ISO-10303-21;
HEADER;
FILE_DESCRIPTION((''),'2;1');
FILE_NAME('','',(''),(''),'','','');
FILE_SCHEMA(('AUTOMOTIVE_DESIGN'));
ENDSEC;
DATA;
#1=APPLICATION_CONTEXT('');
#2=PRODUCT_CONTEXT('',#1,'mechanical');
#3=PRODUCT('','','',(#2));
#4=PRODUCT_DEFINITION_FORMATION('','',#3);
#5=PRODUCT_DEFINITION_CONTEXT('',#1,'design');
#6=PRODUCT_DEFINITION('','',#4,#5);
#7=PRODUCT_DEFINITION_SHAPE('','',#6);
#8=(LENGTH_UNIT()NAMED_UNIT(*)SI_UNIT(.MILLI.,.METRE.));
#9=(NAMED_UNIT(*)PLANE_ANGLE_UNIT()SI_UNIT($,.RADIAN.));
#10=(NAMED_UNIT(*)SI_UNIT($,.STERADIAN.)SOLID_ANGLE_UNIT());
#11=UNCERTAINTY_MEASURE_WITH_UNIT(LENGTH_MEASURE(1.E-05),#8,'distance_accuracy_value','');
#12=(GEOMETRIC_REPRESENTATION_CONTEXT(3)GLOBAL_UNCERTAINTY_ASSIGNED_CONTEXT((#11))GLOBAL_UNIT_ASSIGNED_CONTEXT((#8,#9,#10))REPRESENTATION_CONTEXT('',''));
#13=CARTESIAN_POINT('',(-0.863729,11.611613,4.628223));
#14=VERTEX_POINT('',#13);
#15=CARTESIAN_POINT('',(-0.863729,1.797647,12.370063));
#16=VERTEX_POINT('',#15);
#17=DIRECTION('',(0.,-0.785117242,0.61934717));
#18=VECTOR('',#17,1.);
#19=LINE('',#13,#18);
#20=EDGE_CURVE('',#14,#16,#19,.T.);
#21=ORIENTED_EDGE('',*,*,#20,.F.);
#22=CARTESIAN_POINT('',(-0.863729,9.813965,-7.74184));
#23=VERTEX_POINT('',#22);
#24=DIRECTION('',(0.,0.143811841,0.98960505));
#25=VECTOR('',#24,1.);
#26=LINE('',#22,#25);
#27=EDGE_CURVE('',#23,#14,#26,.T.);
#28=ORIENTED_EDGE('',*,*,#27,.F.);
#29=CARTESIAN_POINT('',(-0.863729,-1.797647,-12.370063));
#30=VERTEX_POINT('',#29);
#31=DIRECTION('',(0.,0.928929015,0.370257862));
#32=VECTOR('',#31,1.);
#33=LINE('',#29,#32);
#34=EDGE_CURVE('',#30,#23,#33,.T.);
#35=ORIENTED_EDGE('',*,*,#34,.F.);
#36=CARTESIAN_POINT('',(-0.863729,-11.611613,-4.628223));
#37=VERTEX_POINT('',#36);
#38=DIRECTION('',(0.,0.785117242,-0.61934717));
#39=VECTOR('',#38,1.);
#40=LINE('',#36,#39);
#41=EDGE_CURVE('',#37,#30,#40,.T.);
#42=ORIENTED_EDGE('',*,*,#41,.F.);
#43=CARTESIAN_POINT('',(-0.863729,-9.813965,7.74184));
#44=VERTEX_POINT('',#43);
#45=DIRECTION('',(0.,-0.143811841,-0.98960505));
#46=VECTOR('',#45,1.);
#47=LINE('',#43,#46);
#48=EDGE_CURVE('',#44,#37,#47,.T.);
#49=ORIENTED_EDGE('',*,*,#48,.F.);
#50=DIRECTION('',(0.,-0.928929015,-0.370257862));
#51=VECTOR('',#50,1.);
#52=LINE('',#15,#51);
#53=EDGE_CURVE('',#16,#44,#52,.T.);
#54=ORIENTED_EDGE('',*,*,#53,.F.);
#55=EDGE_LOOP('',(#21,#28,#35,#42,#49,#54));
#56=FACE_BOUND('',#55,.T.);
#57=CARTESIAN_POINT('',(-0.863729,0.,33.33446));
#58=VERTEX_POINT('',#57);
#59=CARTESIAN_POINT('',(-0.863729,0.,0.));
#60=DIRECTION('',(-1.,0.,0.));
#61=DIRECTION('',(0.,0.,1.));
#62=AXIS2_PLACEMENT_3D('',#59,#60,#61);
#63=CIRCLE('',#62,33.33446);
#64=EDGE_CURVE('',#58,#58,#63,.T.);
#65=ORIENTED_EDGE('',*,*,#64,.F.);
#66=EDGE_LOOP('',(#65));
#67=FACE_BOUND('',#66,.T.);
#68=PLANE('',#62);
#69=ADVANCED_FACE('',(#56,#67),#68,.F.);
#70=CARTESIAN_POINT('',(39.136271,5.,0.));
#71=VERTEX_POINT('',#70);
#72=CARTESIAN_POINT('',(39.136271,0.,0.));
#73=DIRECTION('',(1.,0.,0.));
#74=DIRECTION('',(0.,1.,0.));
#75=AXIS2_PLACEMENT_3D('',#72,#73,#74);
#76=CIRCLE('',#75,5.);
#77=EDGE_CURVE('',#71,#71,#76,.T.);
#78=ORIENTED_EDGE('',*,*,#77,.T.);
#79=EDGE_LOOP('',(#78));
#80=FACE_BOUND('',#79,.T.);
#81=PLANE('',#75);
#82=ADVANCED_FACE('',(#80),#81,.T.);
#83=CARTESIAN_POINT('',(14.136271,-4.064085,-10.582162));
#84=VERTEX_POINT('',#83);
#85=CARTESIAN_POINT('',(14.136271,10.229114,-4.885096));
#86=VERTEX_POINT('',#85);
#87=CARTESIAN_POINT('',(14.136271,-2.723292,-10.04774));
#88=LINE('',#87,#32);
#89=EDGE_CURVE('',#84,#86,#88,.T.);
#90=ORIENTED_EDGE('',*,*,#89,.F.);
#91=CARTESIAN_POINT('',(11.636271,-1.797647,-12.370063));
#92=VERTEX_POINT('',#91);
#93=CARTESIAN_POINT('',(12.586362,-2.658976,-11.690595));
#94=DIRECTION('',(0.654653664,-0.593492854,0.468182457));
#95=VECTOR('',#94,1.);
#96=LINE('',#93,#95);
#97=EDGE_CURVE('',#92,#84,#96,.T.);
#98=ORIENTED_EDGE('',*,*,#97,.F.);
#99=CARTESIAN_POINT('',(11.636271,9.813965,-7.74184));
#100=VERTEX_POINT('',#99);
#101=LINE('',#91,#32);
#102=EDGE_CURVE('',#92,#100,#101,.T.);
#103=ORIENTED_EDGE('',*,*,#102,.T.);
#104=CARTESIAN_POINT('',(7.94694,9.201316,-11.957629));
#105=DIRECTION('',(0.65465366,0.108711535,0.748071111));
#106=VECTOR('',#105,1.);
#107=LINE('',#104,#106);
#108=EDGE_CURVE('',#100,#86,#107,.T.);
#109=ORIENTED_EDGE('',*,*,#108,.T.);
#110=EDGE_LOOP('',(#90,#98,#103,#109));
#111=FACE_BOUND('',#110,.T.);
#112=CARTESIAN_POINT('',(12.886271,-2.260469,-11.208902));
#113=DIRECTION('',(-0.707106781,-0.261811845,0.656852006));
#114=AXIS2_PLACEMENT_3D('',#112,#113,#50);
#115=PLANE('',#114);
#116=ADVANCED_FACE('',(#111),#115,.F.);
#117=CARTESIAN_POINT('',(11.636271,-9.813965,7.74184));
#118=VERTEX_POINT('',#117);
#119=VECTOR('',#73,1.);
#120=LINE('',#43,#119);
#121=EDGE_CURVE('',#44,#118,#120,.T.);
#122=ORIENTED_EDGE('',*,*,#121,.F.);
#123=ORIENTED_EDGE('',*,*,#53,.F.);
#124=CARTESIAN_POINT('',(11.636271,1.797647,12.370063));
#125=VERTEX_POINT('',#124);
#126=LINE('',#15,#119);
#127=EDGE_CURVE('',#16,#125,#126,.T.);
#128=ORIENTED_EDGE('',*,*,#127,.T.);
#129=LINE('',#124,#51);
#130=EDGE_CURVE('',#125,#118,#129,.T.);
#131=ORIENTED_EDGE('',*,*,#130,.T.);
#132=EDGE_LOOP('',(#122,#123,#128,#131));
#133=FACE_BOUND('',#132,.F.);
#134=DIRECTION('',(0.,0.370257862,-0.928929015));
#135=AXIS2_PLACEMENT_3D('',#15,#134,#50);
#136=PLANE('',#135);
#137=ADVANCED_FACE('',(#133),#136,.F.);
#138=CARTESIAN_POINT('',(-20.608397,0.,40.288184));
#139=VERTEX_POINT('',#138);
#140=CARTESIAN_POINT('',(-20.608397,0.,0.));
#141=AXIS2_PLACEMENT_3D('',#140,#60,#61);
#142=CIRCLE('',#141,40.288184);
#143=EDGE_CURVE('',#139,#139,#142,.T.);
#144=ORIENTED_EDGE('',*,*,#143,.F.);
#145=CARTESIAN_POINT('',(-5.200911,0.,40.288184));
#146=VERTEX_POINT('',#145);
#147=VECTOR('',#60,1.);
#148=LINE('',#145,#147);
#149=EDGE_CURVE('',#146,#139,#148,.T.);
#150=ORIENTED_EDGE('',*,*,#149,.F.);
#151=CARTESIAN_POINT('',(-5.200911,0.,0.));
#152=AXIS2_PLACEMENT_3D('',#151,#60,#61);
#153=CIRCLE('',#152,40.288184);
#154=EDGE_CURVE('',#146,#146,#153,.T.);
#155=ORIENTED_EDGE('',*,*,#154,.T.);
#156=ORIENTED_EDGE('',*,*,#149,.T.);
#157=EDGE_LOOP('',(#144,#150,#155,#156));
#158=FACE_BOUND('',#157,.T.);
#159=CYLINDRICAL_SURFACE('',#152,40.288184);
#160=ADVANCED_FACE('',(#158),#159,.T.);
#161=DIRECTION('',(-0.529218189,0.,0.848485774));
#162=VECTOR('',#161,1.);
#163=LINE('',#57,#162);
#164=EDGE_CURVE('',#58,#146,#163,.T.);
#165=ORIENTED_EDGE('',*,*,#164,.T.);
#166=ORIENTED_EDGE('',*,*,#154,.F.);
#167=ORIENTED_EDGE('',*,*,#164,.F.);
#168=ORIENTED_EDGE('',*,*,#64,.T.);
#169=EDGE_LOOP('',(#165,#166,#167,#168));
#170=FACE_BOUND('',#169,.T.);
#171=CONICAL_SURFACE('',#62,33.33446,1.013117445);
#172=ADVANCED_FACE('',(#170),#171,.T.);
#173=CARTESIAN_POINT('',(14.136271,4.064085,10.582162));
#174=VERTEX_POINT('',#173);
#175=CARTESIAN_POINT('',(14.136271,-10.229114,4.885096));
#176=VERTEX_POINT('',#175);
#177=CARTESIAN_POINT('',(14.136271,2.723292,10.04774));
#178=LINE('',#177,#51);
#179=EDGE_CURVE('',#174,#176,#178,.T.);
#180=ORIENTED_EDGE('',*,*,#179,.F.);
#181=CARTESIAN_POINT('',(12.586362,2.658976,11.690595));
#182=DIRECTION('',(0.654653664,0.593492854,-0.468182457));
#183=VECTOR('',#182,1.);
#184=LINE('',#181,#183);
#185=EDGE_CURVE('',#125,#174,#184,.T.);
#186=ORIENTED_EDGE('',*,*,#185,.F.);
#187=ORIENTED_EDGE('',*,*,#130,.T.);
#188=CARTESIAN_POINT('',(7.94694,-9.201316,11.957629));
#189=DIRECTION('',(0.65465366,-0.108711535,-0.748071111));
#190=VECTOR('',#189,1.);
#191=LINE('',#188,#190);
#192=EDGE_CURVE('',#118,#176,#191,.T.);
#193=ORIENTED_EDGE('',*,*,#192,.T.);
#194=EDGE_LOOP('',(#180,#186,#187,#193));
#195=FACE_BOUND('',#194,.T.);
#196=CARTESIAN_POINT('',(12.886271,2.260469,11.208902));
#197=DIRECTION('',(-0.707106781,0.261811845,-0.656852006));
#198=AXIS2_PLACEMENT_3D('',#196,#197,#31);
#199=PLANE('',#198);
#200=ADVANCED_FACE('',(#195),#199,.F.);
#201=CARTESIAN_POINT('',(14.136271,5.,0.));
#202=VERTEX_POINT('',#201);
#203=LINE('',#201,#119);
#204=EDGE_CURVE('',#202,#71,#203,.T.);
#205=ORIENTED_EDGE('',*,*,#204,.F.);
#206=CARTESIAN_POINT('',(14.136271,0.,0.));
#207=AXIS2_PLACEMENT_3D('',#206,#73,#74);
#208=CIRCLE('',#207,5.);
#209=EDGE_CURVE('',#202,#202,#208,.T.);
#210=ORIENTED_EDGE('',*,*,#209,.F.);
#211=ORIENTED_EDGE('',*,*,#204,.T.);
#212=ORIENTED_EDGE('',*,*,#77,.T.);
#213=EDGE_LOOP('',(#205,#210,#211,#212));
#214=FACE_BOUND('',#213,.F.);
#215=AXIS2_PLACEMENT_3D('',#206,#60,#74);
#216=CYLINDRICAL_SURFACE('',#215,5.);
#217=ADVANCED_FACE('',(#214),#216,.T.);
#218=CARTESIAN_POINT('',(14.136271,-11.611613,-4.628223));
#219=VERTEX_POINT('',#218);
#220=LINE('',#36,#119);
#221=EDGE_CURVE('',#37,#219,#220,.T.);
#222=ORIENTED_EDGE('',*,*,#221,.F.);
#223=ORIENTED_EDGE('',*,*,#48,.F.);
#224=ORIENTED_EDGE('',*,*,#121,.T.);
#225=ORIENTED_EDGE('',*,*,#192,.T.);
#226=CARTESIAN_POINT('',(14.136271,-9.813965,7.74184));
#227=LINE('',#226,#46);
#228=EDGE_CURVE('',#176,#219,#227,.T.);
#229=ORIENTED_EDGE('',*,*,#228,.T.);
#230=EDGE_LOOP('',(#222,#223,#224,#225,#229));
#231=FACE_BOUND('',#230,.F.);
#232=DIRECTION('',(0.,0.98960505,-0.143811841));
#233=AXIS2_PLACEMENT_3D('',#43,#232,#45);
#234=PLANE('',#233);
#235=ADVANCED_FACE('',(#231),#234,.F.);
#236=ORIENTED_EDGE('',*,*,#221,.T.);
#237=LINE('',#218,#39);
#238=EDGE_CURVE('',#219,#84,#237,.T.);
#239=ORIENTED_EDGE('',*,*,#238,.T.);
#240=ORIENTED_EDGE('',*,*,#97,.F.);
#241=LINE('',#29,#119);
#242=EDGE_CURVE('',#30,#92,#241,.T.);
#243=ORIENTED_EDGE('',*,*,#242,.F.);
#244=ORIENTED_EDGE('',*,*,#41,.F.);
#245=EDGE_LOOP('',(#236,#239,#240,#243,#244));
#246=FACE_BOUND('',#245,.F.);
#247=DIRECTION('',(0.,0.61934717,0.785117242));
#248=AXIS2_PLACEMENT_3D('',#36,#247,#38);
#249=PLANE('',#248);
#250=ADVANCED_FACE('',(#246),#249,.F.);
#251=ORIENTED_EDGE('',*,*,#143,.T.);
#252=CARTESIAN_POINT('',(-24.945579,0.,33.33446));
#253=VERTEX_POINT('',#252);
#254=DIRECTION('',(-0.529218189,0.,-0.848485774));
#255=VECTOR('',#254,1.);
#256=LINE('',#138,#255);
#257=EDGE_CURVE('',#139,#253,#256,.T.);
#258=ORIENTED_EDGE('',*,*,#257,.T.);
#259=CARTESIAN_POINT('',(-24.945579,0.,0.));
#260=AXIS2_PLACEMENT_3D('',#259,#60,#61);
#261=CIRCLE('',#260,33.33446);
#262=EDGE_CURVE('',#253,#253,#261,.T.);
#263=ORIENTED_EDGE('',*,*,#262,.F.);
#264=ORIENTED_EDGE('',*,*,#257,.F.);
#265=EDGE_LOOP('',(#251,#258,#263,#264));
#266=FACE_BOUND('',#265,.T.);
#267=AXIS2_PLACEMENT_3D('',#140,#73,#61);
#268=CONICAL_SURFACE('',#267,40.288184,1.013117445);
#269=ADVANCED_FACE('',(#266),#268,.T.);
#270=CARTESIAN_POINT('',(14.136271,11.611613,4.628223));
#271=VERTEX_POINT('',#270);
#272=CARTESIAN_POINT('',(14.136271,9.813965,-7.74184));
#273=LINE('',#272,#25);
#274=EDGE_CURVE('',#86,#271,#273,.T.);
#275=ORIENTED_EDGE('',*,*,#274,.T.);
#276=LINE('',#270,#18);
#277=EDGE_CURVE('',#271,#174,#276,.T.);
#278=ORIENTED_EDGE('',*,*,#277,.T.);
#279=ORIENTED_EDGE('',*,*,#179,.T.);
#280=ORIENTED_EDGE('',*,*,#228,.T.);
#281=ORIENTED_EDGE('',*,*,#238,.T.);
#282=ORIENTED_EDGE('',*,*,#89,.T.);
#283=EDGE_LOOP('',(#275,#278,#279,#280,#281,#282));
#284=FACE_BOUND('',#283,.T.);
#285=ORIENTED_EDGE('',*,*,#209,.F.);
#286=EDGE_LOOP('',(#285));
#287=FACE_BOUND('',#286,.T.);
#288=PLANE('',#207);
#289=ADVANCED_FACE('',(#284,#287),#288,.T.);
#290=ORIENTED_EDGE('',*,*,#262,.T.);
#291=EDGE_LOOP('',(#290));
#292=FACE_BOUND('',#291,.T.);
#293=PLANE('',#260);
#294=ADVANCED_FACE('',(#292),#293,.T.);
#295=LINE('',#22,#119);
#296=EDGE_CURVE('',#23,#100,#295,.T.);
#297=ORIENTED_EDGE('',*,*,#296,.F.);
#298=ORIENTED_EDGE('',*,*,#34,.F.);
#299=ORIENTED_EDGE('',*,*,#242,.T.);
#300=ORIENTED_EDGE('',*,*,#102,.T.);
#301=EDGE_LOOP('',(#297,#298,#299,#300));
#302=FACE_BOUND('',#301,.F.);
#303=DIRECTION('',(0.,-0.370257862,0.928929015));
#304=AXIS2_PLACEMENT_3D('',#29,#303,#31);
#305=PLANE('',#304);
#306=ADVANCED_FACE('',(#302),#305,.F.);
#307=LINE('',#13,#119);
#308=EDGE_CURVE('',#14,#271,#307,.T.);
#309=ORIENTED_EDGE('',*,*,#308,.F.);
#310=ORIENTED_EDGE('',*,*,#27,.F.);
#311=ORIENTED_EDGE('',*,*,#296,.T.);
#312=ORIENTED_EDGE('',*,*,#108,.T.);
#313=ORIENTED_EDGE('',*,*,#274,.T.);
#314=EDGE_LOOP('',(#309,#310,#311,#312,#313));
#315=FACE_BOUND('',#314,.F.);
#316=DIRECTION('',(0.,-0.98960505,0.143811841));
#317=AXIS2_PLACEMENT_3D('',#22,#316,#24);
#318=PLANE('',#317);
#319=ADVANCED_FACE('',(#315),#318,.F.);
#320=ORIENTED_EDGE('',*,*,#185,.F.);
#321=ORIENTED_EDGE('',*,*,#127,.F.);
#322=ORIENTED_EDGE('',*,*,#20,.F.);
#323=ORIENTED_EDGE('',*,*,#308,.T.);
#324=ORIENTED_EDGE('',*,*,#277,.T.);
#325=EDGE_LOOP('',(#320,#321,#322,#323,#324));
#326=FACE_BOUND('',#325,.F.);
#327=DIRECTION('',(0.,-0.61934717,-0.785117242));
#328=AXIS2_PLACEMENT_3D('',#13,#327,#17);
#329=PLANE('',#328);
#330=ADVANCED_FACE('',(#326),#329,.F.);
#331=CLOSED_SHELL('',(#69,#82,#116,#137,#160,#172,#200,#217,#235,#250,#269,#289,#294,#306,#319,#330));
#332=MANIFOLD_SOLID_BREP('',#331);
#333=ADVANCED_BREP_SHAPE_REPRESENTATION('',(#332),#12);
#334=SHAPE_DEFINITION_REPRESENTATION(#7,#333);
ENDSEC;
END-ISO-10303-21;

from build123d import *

# Parameters (mm, degrees)
F3_DEPTH = 15
F4_R     = 5
F5_DEPTH = 25
F6_SIZE  = 2.5


with BuildPart() as f1:
    # F0 (on Front) → F1 (revolve)
    with BuildSketch(Plane.XZ):
        Polygon((-24.945579, 0), (-0.863729, 0), (-0.863729, 33.33446), (-5.200911, 40.288184), (-20.608397, 40.288184), (-24.945579, 33.33446), align=None)
    revolve(axis=Axis((-33.212595, 0, 0), (-1, 0, 0)))

    # F2 (on face) → F3 (join)
    with BuildSketch(Plane.YZ.offset(-0.863729)):
        Polygon((9.813965, -7.74184), (11.611613, 4.628223), (1.797647, 12.370063), (-9.813965, 7.74184), (-11.611613, -4.628223), (-1.797647, -12.370063), align=None)
    extrude(amount=F3_DEPTH)

    # F4 (on face) → F5 (join)
    with BuildSketch(Plane.YZ.offset(14.136271)):
        Circle(F4_R)
    extrude(amount=F5_DEPTH)

    # F6
    f6_edges = [f1.edges().sort_by_distance(p)[0] for p in [
        (14.136271, 4.008159, -10.055952),
        (14.136271, -4.008159, 10.055952),
    ]]
    chamfer(f6_edges, length=F6_SIZE)


solid = f1.part
